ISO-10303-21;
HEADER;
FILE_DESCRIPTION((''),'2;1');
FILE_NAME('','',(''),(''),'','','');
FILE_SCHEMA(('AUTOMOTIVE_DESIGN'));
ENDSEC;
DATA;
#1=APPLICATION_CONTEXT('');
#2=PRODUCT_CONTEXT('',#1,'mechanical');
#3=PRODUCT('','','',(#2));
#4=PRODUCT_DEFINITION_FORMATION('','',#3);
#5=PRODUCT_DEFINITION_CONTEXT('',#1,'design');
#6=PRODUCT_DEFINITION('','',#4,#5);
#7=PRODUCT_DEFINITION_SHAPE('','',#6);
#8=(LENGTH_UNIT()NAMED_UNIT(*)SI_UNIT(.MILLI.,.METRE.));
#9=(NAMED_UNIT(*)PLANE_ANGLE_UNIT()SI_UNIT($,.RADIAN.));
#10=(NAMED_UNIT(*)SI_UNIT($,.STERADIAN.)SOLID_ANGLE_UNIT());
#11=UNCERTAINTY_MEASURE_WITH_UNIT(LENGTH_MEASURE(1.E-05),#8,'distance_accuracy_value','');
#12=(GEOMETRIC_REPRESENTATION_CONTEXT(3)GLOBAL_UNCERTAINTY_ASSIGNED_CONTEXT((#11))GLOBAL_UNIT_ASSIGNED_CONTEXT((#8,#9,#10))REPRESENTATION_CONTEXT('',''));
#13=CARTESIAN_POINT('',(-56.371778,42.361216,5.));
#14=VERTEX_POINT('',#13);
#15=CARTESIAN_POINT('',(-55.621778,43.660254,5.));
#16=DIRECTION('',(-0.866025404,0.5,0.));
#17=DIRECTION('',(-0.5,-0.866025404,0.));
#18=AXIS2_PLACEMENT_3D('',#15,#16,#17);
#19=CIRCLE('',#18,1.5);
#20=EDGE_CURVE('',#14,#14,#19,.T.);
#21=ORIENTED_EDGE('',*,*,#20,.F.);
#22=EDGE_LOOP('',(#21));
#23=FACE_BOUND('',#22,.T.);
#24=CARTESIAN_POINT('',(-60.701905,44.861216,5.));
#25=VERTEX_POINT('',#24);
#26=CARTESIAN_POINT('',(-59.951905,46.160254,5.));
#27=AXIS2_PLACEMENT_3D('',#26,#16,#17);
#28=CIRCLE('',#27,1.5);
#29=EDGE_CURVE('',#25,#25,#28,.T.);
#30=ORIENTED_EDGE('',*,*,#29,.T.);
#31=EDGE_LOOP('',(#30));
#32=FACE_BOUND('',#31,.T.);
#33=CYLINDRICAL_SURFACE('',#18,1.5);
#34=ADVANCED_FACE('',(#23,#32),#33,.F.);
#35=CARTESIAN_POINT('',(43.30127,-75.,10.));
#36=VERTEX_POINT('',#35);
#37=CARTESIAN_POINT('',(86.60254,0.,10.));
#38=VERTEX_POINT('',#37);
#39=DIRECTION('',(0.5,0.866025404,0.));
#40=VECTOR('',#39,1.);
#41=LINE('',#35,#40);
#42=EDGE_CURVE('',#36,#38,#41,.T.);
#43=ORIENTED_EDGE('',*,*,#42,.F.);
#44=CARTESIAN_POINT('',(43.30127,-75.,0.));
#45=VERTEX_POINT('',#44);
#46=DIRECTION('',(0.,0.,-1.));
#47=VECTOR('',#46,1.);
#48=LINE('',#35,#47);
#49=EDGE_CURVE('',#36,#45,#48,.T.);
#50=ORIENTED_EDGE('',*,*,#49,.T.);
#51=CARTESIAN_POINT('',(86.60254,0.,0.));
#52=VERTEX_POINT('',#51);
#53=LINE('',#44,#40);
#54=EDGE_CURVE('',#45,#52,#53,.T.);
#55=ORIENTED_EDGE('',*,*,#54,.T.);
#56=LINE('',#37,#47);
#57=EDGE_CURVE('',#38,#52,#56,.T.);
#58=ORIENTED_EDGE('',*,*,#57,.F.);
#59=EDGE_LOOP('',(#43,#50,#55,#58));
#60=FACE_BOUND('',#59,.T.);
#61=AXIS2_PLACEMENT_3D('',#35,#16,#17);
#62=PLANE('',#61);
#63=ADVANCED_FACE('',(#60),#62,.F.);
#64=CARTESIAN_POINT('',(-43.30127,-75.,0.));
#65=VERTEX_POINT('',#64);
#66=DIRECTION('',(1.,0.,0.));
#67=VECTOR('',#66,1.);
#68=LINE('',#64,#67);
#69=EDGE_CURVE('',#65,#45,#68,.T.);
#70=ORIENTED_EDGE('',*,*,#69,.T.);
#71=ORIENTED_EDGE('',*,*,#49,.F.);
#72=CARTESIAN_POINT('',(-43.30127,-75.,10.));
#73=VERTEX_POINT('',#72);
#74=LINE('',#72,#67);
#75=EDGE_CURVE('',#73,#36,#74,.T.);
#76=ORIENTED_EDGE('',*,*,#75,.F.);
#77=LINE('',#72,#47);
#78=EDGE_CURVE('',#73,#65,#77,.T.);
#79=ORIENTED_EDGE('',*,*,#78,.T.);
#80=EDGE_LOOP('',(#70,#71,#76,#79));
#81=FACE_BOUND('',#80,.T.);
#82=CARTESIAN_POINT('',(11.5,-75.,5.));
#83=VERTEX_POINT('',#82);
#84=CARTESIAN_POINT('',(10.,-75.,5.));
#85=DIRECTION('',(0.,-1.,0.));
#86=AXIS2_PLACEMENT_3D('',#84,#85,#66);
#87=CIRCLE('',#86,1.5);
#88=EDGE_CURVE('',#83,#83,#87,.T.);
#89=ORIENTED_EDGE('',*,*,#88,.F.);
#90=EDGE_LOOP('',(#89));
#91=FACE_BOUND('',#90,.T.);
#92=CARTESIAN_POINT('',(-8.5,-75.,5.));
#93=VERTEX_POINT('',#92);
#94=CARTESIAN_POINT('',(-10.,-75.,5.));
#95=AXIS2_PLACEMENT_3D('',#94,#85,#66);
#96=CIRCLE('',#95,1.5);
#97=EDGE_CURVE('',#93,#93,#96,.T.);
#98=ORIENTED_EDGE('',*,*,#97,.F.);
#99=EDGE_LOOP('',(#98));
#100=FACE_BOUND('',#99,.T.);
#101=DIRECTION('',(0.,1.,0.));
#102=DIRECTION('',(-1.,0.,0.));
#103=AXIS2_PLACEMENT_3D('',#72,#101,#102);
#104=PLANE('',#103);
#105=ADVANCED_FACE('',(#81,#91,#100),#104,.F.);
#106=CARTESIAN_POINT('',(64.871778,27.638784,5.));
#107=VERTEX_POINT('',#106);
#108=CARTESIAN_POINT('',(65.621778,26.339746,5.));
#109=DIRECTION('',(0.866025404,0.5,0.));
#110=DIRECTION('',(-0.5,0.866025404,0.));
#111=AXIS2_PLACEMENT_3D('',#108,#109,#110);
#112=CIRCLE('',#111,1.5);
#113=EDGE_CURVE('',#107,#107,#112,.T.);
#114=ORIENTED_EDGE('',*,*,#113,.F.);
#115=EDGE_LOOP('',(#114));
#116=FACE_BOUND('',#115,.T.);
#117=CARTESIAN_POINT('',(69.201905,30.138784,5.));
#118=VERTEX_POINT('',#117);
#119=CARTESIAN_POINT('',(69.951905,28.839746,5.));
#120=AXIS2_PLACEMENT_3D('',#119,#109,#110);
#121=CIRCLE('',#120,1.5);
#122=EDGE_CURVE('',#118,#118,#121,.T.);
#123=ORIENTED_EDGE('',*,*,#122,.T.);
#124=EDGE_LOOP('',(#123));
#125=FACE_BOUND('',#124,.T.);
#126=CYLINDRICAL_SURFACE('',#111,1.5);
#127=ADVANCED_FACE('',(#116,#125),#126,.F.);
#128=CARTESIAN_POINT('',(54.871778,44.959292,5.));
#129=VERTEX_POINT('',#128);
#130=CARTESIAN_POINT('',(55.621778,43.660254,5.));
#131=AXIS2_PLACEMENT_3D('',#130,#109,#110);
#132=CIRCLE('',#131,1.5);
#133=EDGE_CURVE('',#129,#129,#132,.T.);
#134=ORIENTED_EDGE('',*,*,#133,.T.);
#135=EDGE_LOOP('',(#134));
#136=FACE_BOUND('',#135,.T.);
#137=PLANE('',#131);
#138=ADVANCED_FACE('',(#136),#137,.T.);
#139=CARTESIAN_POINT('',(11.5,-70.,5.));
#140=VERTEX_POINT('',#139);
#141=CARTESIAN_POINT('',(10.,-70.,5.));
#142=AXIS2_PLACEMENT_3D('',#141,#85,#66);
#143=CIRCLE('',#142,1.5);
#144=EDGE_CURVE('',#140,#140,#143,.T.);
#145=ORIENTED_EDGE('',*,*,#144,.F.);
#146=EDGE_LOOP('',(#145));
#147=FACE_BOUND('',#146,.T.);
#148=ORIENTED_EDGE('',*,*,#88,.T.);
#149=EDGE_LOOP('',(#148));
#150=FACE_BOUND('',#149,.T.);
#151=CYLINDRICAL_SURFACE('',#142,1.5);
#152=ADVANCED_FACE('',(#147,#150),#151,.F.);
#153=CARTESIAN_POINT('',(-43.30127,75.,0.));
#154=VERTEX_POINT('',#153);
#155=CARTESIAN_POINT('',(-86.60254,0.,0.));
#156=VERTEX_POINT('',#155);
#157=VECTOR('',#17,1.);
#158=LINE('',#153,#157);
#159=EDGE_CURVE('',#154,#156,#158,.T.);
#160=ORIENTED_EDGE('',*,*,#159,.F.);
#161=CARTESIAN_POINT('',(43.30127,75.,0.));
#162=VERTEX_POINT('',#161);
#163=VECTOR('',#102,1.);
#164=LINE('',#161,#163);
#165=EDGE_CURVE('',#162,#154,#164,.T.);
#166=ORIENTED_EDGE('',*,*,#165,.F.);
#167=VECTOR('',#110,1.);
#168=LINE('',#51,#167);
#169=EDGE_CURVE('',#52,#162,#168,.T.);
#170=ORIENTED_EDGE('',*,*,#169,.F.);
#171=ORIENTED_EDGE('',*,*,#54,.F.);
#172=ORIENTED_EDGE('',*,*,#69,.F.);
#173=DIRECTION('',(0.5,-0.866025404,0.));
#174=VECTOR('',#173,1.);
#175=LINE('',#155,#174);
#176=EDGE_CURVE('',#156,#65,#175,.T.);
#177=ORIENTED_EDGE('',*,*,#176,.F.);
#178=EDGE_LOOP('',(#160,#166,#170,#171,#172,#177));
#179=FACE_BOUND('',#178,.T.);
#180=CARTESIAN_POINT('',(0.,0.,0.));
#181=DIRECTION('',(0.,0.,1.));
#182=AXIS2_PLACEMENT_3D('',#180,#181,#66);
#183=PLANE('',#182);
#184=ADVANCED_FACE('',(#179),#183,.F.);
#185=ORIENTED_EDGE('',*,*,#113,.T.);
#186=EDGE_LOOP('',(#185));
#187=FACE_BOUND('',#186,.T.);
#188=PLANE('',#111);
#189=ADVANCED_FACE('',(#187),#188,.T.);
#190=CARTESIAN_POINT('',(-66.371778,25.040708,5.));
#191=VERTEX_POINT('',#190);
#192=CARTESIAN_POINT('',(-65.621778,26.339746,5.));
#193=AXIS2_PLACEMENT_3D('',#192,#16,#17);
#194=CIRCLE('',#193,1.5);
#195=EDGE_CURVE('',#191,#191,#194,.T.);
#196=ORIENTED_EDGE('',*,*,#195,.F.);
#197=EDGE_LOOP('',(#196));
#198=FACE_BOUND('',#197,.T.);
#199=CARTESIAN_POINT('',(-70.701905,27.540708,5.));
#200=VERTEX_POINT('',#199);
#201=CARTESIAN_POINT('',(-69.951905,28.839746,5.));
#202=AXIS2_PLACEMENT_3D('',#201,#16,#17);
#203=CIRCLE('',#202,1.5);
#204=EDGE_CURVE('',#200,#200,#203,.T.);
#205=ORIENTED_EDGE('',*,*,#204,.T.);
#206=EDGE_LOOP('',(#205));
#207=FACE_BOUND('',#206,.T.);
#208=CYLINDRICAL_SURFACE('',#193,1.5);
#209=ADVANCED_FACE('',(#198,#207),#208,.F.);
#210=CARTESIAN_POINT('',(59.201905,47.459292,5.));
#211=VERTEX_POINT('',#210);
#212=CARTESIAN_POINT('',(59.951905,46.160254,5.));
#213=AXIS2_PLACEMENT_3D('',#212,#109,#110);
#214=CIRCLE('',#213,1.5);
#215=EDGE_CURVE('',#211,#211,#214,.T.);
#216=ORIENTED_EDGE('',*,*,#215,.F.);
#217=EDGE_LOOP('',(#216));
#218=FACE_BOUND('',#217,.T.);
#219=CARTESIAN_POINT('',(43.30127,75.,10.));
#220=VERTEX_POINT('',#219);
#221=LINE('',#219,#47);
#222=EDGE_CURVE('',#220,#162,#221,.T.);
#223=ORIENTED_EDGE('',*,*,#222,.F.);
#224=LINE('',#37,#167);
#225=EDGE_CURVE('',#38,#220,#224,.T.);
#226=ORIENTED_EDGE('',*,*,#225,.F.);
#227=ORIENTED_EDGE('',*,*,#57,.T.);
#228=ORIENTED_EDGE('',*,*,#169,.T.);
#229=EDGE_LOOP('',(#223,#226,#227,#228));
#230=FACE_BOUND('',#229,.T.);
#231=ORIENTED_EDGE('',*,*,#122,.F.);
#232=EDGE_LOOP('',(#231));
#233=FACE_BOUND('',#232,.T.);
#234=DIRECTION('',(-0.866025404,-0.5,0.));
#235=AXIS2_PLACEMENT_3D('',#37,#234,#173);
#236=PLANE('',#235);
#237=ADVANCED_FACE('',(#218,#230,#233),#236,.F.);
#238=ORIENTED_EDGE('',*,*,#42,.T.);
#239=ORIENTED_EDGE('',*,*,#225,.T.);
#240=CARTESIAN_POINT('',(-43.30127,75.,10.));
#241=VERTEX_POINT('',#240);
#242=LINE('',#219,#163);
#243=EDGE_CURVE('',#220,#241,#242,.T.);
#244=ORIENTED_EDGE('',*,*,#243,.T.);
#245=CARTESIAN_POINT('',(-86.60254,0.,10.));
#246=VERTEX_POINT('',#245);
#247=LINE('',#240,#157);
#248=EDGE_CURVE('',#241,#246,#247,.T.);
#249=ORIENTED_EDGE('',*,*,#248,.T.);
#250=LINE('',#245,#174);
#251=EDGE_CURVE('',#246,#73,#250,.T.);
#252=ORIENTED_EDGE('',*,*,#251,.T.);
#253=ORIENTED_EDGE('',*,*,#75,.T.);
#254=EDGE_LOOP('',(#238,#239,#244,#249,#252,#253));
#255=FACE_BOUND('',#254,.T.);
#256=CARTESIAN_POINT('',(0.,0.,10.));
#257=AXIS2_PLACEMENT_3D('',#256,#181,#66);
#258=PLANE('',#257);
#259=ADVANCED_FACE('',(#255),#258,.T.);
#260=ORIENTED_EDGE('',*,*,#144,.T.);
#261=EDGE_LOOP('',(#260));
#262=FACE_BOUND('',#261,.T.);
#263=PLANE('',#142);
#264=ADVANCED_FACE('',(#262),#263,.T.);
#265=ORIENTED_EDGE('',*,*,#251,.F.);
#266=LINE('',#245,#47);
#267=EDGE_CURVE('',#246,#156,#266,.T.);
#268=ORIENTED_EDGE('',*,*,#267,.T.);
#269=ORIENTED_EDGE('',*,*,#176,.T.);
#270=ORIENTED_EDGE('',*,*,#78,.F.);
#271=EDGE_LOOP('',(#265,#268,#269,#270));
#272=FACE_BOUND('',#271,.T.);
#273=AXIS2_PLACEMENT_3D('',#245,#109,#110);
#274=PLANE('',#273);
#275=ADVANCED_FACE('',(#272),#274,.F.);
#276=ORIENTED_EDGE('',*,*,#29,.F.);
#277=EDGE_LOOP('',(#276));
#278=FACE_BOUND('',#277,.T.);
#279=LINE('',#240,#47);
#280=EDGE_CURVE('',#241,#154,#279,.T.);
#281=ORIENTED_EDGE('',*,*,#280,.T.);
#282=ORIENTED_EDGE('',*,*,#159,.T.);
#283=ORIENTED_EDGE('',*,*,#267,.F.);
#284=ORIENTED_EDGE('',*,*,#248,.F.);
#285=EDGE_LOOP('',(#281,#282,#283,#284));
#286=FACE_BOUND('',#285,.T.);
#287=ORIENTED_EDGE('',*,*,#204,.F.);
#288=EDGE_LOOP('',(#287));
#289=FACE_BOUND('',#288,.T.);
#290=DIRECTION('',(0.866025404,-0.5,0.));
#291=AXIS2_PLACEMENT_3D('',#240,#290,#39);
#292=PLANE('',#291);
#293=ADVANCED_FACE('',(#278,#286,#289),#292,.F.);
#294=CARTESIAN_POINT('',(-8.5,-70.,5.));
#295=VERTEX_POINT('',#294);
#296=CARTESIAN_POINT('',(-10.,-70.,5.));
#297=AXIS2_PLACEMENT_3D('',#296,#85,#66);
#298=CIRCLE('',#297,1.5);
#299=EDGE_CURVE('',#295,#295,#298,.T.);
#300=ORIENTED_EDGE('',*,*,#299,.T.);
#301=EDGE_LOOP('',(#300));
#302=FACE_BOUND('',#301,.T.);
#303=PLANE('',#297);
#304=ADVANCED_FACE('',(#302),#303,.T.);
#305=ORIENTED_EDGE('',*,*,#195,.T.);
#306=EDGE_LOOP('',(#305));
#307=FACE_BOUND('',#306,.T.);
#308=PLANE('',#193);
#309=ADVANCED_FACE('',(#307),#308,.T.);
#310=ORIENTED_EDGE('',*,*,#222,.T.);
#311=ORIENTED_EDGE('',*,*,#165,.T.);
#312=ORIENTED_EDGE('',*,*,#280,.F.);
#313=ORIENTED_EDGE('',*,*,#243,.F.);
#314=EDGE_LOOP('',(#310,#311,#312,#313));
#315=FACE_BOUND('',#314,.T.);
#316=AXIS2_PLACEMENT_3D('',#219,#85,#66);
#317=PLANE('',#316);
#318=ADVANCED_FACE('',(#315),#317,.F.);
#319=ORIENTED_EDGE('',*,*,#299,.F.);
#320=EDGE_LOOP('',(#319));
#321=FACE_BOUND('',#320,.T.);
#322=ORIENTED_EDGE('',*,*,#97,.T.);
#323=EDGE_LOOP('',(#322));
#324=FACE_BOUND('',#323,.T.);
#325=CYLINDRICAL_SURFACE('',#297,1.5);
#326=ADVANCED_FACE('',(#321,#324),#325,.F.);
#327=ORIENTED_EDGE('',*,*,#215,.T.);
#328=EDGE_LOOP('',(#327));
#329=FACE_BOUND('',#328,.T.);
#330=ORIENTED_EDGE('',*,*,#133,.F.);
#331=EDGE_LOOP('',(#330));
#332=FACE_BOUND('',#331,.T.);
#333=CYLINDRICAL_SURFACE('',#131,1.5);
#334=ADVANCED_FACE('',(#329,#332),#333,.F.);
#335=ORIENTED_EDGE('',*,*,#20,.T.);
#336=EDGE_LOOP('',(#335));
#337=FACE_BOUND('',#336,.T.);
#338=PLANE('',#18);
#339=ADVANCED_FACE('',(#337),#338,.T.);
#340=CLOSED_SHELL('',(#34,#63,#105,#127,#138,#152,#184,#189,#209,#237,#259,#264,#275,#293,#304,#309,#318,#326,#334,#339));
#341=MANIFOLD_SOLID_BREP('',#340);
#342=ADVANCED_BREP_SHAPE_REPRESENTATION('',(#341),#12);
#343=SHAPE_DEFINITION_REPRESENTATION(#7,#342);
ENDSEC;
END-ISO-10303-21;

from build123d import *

# Parameters (mm, degrees)
BOSS_EXTRUDE1_DEPTH = 10
SKETCH2_R           = 1.5
CUT_EXTRUDE1_DEPTH  = 5
CIRPATTERN1_COUNT   = 3


with BuildPart() as part:
    # Sketch1 → Boss-Extrude1 (new body)
    with BuildSketch(Plane.XY):
        Polygon((86.602540378, 0), (43.301270189, 75), (-43.301270189, 75), (-86.602540378, 0), (-43.301270189, -75), (43.301270189, -75), align=None)
    extrude(amount=BOSS_EXTRUDE1_DEPTH)

    # Sketch2 → Cut-Extrude1 (cut)
    with BuildSketch(Plane.XZ.offset(75)):
        with Locations((-10, 5)):
            Circle(SKETCH2_R)
        with Locations((10, 5)):
            Circle(SKETCH2_R)
    cut_extrude1 = extrude(amount=-CUT_EXTRUDE1_DEPTH, mode=Mode.SUBTRACT)

    # CirPattern1: Cut-Extrude1 ×3 about axis
    cirpattern1_axis = Axis((0, 0, 0), (0, 0, 1))
    for i in range(1, CIRPATTERN1_COUNT):
        add(cut_extrude1.rotate(cirpattern1_axis, i * 360 / CIRPATTERN1_COUNT), mode=Mode.SUBTRACT)


solid = part.part
